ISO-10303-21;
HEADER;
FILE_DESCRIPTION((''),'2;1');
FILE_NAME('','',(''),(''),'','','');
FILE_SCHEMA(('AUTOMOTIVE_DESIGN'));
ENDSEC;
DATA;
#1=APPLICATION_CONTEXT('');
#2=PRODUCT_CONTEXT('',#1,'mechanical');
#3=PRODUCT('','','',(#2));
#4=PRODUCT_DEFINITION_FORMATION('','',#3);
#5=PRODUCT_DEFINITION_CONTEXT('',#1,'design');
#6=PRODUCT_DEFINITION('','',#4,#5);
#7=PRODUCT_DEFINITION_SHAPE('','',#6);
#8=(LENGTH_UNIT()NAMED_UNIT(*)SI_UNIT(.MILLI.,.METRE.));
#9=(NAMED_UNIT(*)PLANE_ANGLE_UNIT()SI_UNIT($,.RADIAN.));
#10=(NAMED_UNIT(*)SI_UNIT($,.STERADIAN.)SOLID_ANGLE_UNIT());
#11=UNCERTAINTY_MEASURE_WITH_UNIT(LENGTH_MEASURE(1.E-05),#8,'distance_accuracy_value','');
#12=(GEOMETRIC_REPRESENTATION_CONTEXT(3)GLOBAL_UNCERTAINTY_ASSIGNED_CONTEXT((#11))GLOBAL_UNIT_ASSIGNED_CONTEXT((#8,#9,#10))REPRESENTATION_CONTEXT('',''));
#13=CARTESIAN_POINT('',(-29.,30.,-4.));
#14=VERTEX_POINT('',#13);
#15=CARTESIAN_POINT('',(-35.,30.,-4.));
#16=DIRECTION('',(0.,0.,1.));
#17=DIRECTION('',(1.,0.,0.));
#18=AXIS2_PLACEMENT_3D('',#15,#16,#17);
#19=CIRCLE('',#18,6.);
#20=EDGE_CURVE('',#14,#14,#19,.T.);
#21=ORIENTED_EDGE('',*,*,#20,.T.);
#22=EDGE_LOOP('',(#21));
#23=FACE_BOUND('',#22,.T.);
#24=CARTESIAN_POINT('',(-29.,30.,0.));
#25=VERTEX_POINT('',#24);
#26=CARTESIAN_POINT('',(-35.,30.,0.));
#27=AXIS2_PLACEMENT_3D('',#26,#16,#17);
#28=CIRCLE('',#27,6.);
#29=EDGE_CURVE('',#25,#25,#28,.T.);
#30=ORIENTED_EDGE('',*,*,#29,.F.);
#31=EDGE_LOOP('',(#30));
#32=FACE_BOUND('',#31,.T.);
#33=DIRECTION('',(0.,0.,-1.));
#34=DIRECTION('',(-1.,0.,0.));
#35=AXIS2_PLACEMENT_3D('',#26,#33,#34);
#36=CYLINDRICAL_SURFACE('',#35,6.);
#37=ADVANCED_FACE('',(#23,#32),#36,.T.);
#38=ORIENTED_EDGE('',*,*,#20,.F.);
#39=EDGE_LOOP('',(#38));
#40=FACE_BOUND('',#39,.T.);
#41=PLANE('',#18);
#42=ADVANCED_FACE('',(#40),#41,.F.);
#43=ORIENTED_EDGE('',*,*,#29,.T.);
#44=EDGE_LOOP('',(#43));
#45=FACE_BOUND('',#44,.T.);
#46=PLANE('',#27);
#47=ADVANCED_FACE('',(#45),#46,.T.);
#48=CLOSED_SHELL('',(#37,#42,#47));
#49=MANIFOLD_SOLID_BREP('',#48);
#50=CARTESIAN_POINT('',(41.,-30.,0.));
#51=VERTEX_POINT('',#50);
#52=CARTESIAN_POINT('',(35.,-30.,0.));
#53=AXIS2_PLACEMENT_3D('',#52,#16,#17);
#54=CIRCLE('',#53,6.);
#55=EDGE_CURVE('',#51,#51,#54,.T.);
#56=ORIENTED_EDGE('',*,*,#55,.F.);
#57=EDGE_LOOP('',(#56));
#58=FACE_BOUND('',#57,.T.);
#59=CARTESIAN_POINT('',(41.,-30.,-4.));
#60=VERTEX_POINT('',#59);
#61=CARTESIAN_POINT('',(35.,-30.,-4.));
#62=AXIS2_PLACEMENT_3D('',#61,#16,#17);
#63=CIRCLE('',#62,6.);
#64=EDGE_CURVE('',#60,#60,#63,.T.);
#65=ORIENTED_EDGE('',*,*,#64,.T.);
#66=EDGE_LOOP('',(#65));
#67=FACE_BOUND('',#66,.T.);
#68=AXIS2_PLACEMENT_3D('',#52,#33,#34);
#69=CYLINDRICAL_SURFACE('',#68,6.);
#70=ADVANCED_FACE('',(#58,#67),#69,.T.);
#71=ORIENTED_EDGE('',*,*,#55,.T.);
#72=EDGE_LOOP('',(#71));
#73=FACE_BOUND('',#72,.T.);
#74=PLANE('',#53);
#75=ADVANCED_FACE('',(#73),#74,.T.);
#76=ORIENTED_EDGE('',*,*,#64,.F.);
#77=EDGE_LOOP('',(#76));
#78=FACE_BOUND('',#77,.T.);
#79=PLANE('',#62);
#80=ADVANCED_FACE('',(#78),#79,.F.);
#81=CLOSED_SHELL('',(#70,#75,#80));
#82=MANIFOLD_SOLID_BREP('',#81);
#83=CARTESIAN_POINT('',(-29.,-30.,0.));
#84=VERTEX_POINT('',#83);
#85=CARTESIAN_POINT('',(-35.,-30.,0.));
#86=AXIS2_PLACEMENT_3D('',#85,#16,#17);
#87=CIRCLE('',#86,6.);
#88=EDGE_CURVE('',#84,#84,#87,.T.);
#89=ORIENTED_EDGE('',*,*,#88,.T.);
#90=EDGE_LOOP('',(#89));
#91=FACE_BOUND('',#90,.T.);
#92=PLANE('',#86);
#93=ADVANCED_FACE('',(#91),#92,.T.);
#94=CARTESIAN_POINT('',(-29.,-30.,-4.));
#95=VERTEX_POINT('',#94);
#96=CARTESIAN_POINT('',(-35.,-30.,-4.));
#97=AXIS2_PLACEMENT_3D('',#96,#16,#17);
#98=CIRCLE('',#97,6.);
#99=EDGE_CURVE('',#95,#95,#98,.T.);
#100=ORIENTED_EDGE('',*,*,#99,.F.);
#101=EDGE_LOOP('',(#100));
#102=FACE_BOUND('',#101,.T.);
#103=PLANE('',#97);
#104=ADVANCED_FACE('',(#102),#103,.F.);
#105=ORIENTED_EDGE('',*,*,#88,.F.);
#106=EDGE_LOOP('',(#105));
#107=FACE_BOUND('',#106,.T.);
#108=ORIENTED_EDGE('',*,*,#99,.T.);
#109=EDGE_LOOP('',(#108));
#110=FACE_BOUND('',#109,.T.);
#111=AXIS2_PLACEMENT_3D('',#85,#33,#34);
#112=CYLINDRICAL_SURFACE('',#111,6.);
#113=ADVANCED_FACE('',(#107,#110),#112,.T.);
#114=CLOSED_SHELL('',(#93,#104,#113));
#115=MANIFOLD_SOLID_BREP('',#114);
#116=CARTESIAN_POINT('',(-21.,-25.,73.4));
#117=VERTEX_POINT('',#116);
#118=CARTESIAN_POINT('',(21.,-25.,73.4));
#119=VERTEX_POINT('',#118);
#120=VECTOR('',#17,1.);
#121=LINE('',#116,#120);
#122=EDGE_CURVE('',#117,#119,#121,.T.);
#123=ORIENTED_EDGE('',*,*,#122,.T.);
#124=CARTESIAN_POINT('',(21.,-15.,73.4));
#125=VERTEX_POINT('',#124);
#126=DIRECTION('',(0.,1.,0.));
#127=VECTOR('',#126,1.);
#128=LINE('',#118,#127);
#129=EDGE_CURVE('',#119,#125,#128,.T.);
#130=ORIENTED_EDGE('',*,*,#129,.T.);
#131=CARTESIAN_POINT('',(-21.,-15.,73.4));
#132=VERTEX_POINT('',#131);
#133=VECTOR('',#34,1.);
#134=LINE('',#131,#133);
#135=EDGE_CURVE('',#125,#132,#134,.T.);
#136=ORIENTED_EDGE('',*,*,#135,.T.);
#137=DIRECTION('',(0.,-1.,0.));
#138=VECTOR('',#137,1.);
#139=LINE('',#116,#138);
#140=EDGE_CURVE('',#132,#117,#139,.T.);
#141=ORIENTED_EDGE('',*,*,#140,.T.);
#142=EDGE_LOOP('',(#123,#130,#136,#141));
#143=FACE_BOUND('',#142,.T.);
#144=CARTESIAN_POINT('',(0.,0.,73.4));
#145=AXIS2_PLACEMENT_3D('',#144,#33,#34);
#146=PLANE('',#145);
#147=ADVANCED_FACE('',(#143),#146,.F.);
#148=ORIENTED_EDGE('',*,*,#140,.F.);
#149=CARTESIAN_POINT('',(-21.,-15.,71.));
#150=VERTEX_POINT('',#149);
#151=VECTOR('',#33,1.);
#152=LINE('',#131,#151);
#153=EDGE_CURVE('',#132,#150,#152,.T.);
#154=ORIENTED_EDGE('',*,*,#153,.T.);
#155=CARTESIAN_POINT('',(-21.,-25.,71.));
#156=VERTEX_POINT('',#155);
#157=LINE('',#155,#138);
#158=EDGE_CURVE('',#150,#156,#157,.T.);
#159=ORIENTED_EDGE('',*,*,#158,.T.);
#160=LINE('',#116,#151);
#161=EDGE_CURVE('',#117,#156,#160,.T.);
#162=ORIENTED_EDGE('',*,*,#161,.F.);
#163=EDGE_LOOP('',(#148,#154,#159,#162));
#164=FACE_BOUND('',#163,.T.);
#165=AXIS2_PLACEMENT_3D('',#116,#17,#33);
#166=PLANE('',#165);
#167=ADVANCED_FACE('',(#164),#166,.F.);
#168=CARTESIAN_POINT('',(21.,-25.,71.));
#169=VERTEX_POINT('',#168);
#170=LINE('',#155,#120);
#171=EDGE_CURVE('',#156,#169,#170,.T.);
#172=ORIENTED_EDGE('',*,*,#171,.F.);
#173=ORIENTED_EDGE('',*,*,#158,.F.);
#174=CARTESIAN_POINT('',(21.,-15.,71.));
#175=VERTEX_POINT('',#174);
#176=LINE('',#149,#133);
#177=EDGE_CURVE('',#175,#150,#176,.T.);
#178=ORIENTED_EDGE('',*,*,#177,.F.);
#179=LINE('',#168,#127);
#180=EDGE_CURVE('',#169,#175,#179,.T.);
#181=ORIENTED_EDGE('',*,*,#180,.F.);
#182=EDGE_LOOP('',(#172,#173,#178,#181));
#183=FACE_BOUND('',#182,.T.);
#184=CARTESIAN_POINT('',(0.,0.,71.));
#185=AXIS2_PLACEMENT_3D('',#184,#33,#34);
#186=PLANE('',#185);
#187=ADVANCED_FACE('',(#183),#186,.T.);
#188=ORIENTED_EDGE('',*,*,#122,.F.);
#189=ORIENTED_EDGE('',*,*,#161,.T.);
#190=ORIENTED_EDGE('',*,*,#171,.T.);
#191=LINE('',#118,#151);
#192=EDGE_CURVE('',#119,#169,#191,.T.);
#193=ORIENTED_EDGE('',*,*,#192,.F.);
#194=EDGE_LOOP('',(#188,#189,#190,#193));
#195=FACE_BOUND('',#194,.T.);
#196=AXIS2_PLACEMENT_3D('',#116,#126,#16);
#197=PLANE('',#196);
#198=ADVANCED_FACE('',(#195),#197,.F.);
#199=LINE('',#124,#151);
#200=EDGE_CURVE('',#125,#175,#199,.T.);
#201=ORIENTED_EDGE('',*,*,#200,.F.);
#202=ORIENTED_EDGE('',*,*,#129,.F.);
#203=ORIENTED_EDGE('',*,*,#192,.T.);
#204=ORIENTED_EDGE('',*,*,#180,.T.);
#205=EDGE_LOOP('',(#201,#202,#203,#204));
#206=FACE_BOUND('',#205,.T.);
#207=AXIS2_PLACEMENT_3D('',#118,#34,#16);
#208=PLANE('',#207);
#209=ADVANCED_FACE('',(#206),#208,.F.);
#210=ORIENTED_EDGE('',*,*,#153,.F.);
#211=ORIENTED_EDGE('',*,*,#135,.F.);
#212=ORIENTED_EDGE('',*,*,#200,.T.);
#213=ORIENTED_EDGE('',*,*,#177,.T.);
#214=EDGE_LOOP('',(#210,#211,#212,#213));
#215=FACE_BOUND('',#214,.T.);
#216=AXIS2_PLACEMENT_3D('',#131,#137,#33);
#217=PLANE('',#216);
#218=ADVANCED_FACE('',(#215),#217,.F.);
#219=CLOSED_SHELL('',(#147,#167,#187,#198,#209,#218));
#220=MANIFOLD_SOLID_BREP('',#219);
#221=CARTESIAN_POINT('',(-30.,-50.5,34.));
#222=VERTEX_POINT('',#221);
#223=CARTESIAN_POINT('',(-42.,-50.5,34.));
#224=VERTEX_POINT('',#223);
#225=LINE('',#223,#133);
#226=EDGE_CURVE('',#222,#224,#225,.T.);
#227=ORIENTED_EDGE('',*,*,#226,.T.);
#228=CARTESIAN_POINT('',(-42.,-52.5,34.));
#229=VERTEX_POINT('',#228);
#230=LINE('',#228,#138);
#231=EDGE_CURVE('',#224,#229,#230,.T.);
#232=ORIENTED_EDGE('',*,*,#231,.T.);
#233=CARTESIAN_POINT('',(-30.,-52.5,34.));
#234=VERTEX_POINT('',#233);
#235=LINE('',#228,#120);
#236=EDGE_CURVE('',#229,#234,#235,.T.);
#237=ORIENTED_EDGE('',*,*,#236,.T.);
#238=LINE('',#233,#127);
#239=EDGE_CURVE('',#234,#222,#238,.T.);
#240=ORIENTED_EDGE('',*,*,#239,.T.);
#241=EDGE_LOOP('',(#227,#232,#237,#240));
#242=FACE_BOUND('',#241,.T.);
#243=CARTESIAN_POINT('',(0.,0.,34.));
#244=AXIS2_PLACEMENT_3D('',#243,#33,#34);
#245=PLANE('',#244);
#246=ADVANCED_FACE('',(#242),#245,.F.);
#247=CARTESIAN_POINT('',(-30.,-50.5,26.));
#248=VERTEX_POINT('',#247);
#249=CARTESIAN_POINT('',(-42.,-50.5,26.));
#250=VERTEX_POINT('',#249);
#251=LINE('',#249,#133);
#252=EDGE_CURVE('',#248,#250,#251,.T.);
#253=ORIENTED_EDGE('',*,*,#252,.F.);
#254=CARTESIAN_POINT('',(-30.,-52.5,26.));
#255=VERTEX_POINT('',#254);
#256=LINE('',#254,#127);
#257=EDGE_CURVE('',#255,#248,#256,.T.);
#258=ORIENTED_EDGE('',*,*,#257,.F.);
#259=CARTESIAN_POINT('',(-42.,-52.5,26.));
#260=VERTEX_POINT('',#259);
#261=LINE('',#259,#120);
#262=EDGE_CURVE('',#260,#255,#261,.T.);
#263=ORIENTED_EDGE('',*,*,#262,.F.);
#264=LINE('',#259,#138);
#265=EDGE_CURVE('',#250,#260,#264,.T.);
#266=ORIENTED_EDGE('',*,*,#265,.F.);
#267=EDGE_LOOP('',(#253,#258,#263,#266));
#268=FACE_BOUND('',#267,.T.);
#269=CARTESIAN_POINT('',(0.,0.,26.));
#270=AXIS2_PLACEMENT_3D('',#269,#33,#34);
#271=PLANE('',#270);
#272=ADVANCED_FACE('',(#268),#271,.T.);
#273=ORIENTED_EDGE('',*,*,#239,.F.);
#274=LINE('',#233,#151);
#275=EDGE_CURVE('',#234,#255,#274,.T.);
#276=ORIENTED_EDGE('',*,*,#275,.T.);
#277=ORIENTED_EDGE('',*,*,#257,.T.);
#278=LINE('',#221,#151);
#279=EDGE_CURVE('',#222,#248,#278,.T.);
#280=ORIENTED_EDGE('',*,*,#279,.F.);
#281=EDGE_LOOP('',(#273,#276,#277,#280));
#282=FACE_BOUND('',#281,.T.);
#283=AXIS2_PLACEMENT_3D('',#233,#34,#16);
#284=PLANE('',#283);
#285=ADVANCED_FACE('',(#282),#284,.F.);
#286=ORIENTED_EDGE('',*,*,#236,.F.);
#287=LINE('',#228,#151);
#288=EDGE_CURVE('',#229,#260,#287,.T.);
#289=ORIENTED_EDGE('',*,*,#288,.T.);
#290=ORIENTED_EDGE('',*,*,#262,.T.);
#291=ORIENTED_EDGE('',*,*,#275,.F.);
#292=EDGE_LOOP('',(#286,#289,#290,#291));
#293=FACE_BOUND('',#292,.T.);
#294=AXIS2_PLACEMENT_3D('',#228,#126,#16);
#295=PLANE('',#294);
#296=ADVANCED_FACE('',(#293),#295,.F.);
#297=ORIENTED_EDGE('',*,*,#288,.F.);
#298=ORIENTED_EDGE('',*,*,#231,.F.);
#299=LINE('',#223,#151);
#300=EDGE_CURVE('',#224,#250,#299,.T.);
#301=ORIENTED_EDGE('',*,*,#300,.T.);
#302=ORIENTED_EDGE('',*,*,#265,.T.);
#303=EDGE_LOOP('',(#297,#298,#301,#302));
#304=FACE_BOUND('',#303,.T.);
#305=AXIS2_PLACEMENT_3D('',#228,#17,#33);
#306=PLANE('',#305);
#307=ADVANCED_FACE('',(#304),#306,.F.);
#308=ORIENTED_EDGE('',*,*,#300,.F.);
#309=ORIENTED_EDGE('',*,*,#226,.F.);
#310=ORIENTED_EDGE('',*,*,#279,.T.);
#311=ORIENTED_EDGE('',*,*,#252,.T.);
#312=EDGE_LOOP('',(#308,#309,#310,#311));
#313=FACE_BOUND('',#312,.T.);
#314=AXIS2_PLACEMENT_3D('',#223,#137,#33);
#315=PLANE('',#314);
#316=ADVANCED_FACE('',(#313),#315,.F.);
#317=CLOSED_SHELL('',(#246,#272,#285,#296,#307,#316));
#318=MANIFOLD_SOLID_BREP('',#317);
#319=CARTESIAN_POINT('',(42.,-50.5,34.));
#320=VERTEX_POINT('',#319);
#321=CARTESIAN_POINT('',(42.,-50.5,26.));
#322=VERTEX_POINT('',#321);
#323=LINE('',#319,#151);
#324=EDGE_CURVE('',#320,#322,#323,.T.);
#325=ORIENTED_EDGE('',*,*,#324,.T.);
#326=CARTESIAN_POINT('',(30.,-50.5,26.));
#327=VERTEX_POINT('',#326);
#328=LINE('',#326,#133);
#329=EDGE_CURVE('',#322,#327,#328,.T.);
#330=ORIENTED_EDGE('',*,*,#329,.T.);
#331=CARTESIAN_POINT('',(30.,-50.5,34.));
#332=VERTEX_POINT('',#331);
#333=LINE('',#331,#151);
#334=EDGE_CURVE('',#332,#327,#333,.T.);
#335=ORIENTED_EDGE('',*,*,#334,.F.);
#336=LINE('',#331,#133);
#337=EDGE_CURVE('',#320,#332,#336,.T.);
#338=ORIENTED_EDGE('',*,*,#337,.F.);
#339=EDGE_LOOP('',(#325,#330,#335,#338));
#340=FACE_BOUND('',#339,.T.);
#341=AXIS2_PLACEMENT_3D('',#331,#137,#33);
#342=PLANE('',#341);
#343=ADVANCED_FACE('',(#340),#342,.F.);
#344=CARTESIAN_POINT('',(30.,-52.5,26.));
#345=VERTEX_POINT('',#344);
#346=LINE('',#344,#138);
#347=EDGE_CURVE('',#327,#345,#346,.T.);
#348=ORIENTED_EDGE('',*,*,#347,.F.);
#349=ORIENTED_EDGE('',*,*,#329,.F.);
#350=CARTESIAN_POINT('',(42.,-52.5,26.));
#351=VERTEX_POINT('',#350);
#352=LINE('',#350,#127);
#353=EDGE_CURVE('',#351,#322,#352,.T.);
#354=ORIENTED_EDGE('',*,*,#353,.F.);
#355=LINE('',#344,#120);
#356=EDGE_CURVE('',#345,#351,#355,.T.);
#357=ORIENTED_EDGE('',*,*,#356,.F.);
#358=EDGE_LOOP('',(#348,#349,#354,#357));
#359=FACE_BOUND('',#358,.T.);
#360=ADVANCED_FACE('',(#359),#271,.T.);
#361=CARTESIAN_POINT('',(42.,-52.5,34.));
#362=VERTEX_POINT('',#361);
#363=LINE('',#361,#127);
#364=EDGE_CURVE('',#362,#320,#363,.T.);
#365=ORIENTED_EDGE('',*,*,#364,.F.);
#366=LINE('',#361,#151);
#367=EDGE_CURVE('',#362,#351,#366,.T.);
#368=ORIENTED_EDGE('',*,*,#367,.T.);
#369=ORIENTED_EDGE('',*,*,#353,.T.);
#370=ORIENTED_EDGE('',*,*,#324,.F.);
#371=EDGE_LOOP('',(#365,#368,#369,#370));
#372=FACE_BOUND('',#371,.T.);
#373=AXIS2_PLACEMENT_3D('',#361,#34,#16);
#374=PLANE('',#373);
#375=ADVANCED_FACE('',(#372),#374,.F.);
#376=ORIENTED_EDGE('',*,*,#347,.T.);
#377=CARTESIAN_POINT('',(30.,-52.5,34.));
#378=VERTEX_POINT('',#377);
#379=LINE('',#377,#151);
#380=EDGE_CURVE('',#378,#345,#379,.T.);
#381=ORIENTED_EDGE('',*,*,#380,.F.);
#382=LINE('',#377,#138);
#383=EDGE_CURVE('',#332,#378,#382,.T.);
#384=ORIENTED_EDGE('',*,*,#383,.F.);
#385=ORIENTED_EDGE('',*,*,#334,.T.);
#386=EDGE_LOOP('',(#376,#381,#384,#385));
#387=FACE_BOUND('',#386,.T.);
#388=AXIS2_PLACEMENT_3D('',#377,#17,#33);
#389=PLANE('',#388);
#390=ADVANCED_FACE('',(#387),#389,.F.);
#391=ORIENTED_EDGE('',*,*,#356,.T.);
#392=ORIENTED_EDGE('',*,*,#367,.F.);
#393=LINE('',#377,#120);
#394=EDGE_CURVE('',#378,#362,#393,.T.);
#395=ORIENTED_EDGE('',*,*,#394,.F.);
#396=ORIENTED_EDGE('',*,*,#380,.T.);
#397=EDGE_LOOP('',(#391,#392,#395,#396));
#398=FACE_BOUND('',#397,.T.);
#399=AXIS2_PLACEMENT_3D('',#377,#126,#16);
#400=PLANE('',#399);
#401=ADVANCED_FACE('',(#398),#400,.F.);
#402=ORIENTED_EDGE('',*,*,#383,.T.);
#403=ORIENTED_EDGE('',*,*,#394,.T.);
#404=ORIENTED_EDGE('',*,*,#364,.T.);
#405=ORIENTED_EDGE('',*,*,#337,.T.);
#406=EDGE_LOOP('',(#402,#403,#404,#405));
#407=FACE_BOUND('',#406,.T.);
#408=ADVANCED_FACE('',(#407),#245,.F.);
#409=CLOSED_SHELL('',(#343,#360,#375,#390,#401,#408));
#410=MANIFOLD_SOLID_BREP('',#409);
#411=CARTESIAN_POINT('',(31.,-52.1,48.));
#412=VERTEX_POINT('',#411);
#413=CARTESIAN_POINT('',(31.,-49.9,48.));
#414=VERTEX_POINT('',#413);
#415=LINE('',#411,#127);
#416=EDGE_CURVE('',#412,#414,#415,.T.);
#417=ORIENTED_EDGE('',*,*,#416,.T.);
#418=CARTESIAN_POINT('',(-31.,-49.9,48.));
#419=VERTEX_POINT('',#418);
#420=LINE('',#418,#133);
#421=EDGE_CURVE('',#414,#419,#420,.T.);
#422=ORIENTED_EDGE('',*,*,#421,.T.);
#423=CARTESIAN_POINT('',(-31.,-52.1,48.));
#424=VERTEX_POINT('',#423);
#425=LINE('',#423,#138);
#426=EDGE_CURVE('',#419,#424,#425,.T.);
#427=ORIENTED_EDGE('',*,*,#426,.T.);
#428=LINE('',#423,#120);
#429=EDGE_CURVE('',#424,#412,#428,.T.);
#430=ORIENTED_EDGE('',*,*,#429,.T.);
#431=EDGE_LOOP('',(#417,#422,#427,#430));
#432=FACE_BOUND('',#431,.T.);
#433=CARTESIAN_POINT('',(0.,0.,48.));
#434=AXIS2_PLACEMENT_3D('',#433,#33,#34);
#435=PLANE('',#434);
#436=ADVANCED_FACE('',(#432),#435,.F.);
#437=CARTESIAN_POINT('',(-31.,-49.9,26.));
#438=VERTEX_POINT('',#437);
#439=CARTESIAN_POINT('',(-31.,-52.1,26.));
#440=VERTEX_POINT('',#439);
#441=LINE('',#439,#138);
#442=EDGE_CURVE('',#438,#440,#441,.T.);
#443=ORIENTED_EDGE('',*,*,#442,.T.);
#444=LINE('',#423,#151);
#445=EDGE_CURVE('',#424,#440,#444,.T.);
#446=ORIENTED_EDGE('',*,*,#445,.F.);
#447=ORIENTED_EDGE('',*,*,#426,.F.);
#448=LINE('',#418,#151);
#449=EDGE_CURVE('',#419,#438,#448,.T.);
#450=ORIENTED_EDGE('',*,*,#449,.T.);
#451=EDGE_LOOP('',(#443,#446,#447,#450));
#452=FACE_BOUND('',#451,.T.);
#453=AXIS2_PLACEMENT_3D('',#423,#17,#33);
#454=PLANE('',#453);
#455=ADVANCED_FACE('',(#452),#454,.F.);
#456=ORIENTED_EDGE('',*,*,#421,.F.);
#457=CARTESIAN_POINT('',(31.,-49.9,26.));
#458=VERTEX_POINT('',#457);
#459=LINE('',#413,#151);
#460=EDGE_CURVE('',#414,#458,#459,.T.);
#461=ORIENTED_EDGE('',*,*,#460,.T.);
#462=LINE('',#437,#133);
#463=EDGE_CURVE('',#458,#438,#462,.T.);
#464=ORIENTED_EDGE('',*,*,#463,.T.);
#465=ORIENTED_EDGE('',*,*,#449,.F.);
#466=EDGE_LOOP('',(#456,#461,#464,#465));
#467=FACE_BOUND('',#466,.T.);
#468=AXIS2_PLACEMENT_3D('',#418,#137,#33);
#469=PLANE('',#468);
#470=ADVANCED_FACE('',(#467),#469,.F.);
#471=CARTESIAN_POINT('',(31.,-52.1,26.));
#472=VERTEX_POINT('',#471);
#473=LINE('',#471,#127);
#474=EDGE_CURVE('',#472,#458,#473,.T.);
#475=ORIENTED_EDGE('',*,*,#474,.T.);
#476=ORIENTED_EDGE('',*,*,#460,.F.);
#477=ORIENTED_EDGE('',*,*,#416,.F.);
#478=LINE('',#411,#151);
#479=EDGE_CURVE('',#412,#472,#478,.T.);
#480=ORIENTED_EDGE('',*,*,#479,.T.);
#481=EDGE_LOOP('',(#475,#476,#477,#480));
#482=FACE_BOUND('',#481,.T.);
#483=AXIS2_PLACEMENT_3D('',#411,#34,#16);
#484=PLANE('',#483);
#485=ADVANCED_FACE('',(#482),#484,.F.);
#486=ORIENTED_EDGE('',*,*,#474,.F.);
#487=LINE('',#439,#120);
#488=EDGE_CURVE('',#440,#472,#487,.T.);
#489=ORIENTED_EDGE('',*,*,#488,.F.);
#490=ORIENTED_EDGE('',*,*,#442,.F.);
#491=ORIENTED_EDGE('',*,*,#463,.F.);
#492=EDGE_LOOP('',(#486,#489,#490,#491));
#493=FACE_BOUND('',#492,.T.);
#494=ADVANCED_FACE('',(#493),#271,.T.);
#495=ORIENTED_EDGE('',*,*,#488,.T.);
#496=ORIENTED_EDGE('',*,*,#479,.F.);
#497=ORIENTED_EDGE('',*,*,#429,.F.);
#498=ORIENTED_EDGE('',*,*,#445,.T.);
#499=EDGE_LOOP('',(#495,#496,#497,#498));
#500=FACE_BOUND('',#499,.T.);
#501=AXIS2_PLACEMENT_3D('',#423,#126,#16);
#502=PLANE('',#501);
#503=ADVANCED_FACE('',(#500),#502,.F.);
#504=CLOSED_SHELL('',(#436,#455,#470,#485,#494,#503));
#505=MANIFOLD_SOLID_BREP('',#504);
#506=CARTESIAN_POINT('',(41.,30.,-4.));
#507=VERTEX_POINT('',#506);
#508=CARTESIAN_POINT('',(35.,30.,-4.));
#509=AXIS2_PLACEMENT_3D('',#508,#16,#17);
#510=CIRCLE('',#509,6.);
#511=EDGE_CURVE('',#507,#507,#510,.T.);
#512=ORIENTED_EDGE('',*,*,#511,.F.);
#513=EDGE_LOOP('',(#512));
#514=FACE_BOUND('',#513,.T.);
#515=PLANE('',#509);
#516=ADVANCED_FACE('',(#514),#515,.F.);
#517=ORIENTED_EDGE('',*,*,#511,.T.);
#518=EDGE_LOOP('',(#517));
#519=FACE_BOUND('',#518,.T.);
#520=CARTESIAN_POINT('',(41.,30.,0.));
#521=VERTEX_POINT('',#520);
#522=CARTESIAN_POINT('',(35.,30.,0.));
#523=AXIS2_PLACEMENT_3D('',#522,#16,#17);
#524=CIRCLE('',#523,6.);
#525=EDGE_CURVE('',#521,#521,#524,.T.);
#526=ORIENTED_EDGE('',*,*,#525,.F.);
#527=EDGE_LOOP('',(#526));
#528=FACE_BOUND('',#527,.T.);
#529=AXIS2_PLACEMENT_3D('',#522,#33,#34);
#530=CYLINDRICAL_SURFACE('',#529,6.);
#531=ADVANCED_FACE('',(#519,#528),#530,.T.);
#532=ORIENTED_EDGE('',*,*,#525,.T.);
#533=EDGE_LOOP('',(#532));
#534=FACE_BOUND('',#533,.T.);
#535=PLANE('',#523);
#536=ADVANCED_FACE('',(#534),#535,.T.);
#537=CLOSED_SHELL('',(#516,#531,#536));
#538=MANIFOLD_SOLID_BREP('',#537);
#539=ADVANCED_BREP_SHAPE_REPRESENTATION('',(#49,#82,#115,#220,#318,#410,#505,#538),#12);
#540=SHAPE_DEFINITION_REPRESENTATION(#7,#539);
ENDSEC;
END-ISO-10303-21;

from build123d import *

# Parameters (mm, degrees)
FRONT_START                                    = 26
SKETCH_1_W                                     = 62
SKETCH_1_H                                     = 2.2
FRONT_FACE_TRIM_AROUND_HC_SR04_EYE_WINDO_DEPTH = 22
TOP_START                                      = 71
SKETCH_2_W                                     = 42
SKETCH_2_H                                     = 10
TOP_TRANSLUCENT_STATUS_LIGHT_STRIP_DEPTH       = 2.4
LEFT_START                                     = 26
SKETCH_3_W                                     = 12
SKETCH_3_H                                     = 2
LEFT_CHEEK_DECORATIVE_INSERT_DEPTH             = 8
RIGHT_START                                    = 26
SKETCH_4_W                                     = 12
SKETCH_4_H                                     = 2
RIGHT_CHEEK_DECORATIVE_INSERT_DEPTH            = 8
RUBBER_START                                   = -4
SKETCH_5_R                                     = 6
RUBBER_FOOT_1_DEPTH                            = 4
SKETCH_6_R                                     = 6
RUBBER_FOOT_2_DEPTH                            = 4
SKETCH_7_R                                     = 6
RUBBER_FOOT_3_DEPTH                            = 4
SKETCH_8_R                                     = 6
RUBBER_FOOT_4_DEPTH                            = 4


with BuildPart() as part:
    # 草图1 → front face trim around HC-SR04 eye window (new body)
    with BuildSketch(Plane.XY.offset(FRONT_START)):
        with Locations((0, -51)):
            Rectangle(SKETCH_1_W, SKETCH_1_H)
    extrude(amount=FRONT_FACE_TRIM_AROUND_HC_SR04_EYE_WINDO_DEPTH)


with BuildPart() as body_2:
    # 草图2 → top translucent status light strip (new body)
    with BuildSketch(Plane.XY.offset(TOP_START)):
        with Locations((0, -20)):
            Rectangle(SKETCH_2_W, SKETCH_2_H)
    extrude(amount=TOP_TRANSLUCENT_STATUS_LIGHT_STRIP_DEPTH)


with BuildPart() as body_3:
    # 草图3 → left cheek decorative insert (new body)
    with BuildSketch(Plane.XY.offset(LEFT_START)):
        with Locations((-36, -51.5)):
            Rectangle(SKETCH_3_W, SKETCH_3_H)
    extrude(amount=LEFT_CHEEK_DECORATIVE_INSERT_DEPTH)


with BuildPart() as body_4:
    # 草图4 → right cheek decorative insert (new body)
    with BuildSketch(Plane.XY.offset(RIGHT_START)):
        with Locations((36, -51.5)):
            Rectangle(SKETCH_4_W, SKETCH_4_H)
    extrude(amount=RIGHT_CHEEK_DECORATIVE_INSERT_DEPTH)


with BuildPart() as body_5:
    # 草图5 → rubber foot 1 (new body)
    with BuildSketch(Plane.XY.offset(RUBBER_START)):
        with Locations((-35, -30)):
            Circle(SKETCH_5_R)
    extrude(amount=RUBBER_FOOT_1_DEPTH)


with BuildPart() as body_6:
    # 草图6 → rubber foot 2 (new body)
    with BuildSketch(Plane.XY.offset(RUBBER_START)):
        with Locations((35, -30)):
            Circle(SKETCH_6_R)
    extrude(amount=RUBBER_FOOT_2_DEPTH)


with BuildPart() as body_7:
    # 草图7 → rubber foot 3 (new body)
    with BuildSketch(Plane.XY.offset(RUBBER_START)):
        with Locations((-35, 30)):
            Circle(SKETCH_7_R)
    extrude(amount=RUBBER_FOOT_3_DEPTH)


with BuildPart() as body_8:
    # 草图8 → rubber foot 4 (new body)
    with BuildSketch(Plane.XY.offset(RUBBER_START)):
        with Locations((35, 30)):
            Circle(SKETCH_8_R)
    extrude(amount=RUBBER_FOOT_4_DEPTH)


solid = Compound([part.part, body_2.part, body_3.part, body_4.part, body_5.part, body_6.part, body_7.part, body_8.part])
